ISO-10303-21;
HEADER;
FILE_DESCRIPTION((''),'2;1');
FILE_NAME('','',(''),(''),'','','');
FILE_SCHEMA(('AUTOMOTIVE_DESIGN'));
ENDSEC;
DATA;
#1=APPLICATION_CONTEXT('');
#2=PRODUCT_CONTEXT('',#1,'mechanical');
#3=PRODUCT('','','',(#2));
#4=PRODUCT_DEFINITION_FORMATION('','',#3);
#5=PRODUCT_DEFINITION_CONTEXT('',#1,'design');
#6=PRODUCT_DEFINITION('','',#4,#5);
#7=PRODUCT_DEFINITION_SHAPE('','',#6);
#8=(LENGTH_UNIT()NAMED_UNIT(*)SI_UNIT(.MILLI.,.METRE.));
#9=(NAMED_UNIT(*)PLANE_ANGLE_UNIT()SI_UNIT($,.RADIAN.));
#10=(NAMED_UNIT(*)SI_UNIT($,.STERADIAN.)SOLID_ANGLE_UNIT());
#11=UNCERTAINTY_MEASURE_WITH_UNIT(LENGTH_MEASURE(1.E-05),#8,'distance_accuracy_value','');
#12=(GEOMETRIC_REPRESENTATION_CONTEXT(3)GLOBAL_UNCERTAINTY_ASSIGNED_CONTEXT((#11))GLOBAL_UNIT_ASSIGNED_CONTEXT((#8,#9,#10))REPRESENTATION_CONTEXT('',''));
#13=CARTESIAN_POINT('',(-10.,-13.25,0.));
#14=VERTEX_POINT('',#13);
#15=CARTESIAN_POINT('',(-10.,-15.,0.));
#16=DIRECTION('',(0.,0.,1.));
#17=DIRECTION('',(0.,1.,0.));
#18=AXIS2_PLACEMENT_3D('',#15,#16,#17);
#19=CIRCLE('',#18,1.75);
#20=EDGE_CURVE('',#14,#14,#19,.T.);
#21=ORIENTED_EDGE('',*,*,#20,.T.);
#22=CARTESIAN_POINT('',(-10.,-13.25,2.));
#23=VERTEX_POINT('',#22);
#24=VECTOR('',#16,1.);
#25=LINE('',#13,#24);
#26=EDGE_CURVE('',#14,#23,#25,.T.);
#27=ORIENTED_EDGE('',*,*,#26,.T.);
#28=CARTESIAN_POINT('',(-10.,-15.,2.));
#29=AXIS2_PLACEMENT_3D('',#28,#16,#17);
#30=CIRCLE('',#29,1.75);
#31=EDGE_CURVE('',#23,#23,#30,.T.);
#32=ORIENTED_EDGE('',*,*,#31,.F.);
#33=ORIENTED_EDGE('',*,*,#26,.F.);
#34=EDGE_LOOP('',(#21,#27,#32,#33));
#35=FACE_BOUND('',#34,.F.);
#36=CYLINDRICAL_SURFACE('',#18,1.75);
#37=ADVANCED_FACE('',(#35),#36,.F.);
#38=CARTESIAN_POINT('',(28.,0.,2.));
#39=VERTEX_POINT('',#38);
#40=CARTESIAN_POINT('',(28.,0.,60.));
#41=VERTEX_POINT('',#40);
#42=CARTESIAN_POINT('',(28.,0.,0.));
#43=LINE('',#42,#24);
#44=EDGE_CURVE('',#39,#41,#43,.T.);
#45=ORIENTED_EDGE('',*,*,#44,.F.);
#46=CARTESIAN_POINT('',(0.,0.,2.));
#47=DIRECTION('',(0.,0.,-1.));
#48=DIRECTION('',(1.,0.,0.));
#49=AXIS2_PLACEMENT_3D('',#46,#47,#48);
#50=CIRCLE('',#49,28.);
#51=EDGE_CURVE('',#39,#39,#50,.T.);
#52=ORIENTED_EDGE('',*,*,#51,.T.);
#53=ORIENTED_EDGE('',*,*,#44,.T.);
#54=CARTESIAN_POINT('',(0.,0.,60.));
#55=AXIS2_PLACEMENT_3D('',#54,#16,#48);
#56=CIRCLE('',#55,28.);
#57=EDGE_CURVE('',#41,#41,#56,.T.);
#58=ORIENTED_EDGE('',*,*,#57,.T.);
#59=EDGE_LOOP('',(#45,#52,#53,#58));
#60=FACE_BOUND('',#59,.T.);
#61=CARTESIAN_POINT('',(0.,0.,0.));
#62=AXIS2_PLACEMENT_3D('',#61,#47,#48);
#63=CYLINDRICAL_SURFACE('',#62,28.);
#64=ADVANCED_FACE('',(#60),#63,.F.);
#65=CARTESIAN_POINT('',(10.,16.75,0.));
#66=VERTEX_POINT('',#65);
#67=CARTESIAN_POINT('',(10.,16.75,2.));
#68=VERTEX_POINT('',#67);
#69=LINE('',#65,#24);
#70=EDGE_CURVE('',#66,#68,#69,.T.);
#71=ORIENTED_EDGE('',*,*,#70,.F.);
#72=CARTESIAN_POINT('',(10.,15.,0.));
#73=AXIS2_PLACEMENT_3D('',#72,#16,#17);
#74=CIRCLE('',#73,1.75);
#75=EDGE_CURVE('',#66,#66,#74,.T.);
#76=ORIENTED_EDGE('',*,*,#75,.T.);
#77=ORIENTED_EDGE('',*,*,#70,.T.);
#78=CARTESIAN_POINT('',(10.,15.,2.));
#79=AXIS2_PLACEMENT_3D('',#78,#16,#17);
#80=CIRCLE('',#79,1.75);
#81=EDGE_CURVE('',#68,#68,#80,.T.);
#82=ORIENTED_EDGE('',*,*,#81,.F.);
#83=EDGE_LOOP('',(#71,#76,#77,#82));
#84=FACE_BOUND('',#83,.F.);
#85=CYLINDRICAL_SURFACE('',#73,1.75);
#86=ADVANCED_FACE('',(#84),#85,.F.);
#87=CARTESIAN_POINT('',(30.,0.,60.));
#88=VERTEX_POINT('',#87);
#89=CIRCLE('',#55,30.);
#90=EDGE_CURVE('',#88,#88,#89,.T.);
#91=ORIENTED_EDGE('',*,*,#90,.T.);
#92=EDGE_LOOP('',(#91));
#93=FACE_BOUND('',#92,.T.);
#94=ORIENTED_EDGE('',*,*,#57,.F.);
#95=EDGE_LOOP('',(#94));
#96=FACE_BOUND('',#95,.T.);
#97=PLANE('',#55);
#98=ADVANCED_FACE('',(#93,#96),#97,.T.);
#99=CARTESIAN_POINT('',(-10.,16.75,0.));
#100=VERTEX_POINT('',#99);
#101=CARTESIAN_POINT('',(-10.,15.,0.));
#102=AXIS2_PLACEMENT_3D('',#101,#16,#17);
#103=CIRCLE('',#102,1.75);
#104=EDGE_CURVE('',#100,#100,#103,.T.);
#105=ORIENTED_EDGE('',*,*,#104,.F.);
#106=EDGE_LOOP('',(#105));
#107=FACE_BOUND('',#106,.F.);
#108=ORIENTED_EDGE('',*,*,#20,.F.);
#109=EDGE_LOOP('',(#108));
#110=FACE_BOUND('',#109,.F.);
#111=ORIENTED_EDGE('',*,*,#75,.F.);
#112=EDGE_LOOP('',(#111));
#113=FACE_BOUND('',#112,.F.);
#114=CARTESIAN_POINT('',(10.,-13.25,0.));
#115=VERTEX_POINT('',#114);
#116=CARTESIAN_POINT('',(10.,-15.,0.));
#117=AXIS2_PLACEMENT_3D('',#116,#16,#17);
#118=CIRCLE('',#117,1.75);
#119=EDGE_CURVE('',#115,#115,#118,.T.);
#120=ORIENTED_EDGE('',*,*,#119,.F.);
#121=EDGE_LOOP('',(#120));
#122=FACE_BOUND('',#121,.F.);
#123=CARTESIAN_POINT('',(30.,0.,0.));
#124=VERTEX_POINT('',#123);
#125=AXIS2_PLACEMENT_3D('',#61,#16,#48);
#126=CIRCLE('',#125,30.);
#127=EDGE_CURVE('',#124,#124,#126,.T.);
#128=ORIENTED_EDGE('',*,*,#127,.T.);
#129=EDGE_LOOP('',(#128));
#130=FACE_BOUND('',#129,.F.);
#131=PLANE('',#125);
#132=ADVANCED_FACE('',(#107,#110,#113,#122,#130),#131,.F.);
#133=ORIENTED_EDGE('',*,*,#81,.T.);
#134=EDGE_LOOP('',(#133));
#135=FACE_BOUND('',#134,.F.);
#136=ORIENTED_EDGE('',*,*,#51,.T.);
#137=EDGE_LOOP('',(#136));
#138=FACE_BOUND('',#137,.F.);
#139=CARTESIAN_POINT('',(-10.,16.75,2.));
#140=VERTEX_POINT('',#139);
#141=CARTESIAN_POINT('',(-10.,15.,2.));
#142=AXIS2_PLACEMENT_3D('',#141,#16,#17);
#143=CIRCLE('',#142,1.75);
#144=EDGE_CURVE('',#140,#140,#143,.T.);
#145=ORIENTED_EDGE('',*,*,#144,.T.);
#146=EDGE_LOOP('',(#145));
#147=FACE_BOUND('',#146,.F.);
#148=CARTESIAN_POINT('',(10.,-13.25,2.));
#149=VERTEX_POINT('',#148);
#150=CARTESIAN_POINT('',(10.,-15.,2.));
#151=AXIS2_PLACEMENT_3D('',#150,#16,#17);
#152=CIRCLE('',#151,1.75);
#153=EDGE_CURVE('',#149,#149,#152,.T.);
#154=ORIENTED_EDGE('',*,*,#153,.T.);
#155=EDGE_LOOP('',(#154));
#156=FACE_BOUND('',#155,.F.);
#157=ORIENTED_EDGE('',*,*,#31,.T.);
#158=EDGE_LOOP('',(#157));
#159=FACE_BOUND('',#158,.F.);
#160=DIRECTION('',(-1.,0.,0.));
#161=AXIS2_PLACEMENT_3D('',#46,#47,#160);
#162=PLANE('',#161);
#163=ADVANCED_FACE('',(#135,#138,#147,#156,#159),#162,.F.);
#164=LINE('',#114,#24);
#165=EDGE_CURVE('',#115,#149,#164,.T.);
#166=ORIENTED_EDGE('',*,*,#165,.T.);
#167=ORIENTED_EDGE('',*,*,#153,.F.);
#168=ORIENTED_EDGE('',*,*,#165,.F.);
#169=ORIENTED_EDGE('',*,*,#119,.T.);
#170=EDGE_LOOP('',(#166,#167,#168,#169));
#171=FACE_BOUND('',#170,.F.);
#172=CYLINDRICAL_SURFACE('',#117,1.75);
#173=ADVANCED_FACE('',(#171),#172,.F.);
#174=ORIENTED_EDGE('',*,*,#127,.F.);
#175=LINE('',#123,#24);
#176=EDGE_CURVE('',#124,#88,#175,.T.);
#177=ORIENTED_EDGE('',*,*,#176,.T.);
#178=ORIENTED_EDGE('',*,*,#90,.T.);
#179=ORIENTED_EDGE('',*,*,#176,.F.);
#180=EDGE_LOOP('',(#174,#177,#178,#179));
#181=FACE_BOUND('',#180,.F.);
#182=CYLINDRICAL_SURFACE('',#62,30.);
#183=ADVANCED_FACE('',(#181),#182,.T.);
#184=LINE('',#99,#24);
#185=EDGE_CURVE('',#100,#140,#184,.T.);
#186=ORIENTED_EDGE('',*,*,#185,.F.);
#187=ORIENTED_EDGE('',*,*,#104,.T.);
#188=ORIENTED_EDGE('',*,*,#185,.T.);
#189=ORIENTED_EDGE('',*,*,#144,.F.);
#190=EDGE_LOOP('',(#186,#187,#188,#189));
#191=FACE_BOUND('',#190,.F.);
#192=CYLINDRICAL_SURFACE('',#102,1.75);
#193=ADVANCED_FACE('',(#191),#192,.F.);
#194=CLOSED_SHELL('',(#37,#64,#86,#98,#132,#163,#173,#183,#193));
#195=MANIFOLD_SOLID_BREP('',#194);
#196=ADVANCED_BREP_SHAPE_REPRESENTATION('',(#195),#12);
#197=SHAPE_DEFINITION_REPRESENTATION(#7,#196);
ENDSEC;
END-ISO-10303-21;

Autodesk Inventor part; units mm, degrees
ref_plane "YZ Plane" through (0, 0, 0) normal (1, 0, 0) x (0, 1, 0)
ref_plane "XZ Plane" through (0, 0, 0) normal (0, 1, 0) x (-1, 0, 0)
ref_plane "XY Plane" through (0, 0, 0) normal (0, 0, 1) x (1, 0, 0)
sketch "スケッチ1" plane through (0, 0, 0) normal (0, 0, 1) x (1, 0, 0)
  circle A0 centre (0, 0) radius 30
  circle A1 centre (0, 0) radius 28
  dimension "d0" = 60
  dimension "d21" = 2
extrude "押し出し1" add sketch "スケッチ1" along normal blind 60
sketch "スケッチ6" plane through (0, 0, 0) normal (0, 0, -1) x (-1, 0, 0)
  circle A0 centre (0, 0) radius 28 projected
extrude "押し出し5" add sketch "スケッチ6" against normal blind 2
sketch "スケッチ7" plane through (0, 0, 0) normal (0, 0, -1) x (-1, 0, 0)
  line L0 (0, 0) -> (-30, 0)
  circle A0 centre (0, 0) radius 30 projected
  line L1 (0, 0) -> (0, 30)
  point P0 (-10, -15)
  point P1 (-10, 15)
  point P2 (10, -15)
  point P3 (10, 15)
  dimension "d24" = 20
  dimension "d25" = 30
hole "穴2" at (10, -15, 0) at (10, 15, 0) at (-10, -15, 0) at (-10, 15, 0) direction (0, 0, 1) diameter 3.5 end through all
properties part number "筒"
